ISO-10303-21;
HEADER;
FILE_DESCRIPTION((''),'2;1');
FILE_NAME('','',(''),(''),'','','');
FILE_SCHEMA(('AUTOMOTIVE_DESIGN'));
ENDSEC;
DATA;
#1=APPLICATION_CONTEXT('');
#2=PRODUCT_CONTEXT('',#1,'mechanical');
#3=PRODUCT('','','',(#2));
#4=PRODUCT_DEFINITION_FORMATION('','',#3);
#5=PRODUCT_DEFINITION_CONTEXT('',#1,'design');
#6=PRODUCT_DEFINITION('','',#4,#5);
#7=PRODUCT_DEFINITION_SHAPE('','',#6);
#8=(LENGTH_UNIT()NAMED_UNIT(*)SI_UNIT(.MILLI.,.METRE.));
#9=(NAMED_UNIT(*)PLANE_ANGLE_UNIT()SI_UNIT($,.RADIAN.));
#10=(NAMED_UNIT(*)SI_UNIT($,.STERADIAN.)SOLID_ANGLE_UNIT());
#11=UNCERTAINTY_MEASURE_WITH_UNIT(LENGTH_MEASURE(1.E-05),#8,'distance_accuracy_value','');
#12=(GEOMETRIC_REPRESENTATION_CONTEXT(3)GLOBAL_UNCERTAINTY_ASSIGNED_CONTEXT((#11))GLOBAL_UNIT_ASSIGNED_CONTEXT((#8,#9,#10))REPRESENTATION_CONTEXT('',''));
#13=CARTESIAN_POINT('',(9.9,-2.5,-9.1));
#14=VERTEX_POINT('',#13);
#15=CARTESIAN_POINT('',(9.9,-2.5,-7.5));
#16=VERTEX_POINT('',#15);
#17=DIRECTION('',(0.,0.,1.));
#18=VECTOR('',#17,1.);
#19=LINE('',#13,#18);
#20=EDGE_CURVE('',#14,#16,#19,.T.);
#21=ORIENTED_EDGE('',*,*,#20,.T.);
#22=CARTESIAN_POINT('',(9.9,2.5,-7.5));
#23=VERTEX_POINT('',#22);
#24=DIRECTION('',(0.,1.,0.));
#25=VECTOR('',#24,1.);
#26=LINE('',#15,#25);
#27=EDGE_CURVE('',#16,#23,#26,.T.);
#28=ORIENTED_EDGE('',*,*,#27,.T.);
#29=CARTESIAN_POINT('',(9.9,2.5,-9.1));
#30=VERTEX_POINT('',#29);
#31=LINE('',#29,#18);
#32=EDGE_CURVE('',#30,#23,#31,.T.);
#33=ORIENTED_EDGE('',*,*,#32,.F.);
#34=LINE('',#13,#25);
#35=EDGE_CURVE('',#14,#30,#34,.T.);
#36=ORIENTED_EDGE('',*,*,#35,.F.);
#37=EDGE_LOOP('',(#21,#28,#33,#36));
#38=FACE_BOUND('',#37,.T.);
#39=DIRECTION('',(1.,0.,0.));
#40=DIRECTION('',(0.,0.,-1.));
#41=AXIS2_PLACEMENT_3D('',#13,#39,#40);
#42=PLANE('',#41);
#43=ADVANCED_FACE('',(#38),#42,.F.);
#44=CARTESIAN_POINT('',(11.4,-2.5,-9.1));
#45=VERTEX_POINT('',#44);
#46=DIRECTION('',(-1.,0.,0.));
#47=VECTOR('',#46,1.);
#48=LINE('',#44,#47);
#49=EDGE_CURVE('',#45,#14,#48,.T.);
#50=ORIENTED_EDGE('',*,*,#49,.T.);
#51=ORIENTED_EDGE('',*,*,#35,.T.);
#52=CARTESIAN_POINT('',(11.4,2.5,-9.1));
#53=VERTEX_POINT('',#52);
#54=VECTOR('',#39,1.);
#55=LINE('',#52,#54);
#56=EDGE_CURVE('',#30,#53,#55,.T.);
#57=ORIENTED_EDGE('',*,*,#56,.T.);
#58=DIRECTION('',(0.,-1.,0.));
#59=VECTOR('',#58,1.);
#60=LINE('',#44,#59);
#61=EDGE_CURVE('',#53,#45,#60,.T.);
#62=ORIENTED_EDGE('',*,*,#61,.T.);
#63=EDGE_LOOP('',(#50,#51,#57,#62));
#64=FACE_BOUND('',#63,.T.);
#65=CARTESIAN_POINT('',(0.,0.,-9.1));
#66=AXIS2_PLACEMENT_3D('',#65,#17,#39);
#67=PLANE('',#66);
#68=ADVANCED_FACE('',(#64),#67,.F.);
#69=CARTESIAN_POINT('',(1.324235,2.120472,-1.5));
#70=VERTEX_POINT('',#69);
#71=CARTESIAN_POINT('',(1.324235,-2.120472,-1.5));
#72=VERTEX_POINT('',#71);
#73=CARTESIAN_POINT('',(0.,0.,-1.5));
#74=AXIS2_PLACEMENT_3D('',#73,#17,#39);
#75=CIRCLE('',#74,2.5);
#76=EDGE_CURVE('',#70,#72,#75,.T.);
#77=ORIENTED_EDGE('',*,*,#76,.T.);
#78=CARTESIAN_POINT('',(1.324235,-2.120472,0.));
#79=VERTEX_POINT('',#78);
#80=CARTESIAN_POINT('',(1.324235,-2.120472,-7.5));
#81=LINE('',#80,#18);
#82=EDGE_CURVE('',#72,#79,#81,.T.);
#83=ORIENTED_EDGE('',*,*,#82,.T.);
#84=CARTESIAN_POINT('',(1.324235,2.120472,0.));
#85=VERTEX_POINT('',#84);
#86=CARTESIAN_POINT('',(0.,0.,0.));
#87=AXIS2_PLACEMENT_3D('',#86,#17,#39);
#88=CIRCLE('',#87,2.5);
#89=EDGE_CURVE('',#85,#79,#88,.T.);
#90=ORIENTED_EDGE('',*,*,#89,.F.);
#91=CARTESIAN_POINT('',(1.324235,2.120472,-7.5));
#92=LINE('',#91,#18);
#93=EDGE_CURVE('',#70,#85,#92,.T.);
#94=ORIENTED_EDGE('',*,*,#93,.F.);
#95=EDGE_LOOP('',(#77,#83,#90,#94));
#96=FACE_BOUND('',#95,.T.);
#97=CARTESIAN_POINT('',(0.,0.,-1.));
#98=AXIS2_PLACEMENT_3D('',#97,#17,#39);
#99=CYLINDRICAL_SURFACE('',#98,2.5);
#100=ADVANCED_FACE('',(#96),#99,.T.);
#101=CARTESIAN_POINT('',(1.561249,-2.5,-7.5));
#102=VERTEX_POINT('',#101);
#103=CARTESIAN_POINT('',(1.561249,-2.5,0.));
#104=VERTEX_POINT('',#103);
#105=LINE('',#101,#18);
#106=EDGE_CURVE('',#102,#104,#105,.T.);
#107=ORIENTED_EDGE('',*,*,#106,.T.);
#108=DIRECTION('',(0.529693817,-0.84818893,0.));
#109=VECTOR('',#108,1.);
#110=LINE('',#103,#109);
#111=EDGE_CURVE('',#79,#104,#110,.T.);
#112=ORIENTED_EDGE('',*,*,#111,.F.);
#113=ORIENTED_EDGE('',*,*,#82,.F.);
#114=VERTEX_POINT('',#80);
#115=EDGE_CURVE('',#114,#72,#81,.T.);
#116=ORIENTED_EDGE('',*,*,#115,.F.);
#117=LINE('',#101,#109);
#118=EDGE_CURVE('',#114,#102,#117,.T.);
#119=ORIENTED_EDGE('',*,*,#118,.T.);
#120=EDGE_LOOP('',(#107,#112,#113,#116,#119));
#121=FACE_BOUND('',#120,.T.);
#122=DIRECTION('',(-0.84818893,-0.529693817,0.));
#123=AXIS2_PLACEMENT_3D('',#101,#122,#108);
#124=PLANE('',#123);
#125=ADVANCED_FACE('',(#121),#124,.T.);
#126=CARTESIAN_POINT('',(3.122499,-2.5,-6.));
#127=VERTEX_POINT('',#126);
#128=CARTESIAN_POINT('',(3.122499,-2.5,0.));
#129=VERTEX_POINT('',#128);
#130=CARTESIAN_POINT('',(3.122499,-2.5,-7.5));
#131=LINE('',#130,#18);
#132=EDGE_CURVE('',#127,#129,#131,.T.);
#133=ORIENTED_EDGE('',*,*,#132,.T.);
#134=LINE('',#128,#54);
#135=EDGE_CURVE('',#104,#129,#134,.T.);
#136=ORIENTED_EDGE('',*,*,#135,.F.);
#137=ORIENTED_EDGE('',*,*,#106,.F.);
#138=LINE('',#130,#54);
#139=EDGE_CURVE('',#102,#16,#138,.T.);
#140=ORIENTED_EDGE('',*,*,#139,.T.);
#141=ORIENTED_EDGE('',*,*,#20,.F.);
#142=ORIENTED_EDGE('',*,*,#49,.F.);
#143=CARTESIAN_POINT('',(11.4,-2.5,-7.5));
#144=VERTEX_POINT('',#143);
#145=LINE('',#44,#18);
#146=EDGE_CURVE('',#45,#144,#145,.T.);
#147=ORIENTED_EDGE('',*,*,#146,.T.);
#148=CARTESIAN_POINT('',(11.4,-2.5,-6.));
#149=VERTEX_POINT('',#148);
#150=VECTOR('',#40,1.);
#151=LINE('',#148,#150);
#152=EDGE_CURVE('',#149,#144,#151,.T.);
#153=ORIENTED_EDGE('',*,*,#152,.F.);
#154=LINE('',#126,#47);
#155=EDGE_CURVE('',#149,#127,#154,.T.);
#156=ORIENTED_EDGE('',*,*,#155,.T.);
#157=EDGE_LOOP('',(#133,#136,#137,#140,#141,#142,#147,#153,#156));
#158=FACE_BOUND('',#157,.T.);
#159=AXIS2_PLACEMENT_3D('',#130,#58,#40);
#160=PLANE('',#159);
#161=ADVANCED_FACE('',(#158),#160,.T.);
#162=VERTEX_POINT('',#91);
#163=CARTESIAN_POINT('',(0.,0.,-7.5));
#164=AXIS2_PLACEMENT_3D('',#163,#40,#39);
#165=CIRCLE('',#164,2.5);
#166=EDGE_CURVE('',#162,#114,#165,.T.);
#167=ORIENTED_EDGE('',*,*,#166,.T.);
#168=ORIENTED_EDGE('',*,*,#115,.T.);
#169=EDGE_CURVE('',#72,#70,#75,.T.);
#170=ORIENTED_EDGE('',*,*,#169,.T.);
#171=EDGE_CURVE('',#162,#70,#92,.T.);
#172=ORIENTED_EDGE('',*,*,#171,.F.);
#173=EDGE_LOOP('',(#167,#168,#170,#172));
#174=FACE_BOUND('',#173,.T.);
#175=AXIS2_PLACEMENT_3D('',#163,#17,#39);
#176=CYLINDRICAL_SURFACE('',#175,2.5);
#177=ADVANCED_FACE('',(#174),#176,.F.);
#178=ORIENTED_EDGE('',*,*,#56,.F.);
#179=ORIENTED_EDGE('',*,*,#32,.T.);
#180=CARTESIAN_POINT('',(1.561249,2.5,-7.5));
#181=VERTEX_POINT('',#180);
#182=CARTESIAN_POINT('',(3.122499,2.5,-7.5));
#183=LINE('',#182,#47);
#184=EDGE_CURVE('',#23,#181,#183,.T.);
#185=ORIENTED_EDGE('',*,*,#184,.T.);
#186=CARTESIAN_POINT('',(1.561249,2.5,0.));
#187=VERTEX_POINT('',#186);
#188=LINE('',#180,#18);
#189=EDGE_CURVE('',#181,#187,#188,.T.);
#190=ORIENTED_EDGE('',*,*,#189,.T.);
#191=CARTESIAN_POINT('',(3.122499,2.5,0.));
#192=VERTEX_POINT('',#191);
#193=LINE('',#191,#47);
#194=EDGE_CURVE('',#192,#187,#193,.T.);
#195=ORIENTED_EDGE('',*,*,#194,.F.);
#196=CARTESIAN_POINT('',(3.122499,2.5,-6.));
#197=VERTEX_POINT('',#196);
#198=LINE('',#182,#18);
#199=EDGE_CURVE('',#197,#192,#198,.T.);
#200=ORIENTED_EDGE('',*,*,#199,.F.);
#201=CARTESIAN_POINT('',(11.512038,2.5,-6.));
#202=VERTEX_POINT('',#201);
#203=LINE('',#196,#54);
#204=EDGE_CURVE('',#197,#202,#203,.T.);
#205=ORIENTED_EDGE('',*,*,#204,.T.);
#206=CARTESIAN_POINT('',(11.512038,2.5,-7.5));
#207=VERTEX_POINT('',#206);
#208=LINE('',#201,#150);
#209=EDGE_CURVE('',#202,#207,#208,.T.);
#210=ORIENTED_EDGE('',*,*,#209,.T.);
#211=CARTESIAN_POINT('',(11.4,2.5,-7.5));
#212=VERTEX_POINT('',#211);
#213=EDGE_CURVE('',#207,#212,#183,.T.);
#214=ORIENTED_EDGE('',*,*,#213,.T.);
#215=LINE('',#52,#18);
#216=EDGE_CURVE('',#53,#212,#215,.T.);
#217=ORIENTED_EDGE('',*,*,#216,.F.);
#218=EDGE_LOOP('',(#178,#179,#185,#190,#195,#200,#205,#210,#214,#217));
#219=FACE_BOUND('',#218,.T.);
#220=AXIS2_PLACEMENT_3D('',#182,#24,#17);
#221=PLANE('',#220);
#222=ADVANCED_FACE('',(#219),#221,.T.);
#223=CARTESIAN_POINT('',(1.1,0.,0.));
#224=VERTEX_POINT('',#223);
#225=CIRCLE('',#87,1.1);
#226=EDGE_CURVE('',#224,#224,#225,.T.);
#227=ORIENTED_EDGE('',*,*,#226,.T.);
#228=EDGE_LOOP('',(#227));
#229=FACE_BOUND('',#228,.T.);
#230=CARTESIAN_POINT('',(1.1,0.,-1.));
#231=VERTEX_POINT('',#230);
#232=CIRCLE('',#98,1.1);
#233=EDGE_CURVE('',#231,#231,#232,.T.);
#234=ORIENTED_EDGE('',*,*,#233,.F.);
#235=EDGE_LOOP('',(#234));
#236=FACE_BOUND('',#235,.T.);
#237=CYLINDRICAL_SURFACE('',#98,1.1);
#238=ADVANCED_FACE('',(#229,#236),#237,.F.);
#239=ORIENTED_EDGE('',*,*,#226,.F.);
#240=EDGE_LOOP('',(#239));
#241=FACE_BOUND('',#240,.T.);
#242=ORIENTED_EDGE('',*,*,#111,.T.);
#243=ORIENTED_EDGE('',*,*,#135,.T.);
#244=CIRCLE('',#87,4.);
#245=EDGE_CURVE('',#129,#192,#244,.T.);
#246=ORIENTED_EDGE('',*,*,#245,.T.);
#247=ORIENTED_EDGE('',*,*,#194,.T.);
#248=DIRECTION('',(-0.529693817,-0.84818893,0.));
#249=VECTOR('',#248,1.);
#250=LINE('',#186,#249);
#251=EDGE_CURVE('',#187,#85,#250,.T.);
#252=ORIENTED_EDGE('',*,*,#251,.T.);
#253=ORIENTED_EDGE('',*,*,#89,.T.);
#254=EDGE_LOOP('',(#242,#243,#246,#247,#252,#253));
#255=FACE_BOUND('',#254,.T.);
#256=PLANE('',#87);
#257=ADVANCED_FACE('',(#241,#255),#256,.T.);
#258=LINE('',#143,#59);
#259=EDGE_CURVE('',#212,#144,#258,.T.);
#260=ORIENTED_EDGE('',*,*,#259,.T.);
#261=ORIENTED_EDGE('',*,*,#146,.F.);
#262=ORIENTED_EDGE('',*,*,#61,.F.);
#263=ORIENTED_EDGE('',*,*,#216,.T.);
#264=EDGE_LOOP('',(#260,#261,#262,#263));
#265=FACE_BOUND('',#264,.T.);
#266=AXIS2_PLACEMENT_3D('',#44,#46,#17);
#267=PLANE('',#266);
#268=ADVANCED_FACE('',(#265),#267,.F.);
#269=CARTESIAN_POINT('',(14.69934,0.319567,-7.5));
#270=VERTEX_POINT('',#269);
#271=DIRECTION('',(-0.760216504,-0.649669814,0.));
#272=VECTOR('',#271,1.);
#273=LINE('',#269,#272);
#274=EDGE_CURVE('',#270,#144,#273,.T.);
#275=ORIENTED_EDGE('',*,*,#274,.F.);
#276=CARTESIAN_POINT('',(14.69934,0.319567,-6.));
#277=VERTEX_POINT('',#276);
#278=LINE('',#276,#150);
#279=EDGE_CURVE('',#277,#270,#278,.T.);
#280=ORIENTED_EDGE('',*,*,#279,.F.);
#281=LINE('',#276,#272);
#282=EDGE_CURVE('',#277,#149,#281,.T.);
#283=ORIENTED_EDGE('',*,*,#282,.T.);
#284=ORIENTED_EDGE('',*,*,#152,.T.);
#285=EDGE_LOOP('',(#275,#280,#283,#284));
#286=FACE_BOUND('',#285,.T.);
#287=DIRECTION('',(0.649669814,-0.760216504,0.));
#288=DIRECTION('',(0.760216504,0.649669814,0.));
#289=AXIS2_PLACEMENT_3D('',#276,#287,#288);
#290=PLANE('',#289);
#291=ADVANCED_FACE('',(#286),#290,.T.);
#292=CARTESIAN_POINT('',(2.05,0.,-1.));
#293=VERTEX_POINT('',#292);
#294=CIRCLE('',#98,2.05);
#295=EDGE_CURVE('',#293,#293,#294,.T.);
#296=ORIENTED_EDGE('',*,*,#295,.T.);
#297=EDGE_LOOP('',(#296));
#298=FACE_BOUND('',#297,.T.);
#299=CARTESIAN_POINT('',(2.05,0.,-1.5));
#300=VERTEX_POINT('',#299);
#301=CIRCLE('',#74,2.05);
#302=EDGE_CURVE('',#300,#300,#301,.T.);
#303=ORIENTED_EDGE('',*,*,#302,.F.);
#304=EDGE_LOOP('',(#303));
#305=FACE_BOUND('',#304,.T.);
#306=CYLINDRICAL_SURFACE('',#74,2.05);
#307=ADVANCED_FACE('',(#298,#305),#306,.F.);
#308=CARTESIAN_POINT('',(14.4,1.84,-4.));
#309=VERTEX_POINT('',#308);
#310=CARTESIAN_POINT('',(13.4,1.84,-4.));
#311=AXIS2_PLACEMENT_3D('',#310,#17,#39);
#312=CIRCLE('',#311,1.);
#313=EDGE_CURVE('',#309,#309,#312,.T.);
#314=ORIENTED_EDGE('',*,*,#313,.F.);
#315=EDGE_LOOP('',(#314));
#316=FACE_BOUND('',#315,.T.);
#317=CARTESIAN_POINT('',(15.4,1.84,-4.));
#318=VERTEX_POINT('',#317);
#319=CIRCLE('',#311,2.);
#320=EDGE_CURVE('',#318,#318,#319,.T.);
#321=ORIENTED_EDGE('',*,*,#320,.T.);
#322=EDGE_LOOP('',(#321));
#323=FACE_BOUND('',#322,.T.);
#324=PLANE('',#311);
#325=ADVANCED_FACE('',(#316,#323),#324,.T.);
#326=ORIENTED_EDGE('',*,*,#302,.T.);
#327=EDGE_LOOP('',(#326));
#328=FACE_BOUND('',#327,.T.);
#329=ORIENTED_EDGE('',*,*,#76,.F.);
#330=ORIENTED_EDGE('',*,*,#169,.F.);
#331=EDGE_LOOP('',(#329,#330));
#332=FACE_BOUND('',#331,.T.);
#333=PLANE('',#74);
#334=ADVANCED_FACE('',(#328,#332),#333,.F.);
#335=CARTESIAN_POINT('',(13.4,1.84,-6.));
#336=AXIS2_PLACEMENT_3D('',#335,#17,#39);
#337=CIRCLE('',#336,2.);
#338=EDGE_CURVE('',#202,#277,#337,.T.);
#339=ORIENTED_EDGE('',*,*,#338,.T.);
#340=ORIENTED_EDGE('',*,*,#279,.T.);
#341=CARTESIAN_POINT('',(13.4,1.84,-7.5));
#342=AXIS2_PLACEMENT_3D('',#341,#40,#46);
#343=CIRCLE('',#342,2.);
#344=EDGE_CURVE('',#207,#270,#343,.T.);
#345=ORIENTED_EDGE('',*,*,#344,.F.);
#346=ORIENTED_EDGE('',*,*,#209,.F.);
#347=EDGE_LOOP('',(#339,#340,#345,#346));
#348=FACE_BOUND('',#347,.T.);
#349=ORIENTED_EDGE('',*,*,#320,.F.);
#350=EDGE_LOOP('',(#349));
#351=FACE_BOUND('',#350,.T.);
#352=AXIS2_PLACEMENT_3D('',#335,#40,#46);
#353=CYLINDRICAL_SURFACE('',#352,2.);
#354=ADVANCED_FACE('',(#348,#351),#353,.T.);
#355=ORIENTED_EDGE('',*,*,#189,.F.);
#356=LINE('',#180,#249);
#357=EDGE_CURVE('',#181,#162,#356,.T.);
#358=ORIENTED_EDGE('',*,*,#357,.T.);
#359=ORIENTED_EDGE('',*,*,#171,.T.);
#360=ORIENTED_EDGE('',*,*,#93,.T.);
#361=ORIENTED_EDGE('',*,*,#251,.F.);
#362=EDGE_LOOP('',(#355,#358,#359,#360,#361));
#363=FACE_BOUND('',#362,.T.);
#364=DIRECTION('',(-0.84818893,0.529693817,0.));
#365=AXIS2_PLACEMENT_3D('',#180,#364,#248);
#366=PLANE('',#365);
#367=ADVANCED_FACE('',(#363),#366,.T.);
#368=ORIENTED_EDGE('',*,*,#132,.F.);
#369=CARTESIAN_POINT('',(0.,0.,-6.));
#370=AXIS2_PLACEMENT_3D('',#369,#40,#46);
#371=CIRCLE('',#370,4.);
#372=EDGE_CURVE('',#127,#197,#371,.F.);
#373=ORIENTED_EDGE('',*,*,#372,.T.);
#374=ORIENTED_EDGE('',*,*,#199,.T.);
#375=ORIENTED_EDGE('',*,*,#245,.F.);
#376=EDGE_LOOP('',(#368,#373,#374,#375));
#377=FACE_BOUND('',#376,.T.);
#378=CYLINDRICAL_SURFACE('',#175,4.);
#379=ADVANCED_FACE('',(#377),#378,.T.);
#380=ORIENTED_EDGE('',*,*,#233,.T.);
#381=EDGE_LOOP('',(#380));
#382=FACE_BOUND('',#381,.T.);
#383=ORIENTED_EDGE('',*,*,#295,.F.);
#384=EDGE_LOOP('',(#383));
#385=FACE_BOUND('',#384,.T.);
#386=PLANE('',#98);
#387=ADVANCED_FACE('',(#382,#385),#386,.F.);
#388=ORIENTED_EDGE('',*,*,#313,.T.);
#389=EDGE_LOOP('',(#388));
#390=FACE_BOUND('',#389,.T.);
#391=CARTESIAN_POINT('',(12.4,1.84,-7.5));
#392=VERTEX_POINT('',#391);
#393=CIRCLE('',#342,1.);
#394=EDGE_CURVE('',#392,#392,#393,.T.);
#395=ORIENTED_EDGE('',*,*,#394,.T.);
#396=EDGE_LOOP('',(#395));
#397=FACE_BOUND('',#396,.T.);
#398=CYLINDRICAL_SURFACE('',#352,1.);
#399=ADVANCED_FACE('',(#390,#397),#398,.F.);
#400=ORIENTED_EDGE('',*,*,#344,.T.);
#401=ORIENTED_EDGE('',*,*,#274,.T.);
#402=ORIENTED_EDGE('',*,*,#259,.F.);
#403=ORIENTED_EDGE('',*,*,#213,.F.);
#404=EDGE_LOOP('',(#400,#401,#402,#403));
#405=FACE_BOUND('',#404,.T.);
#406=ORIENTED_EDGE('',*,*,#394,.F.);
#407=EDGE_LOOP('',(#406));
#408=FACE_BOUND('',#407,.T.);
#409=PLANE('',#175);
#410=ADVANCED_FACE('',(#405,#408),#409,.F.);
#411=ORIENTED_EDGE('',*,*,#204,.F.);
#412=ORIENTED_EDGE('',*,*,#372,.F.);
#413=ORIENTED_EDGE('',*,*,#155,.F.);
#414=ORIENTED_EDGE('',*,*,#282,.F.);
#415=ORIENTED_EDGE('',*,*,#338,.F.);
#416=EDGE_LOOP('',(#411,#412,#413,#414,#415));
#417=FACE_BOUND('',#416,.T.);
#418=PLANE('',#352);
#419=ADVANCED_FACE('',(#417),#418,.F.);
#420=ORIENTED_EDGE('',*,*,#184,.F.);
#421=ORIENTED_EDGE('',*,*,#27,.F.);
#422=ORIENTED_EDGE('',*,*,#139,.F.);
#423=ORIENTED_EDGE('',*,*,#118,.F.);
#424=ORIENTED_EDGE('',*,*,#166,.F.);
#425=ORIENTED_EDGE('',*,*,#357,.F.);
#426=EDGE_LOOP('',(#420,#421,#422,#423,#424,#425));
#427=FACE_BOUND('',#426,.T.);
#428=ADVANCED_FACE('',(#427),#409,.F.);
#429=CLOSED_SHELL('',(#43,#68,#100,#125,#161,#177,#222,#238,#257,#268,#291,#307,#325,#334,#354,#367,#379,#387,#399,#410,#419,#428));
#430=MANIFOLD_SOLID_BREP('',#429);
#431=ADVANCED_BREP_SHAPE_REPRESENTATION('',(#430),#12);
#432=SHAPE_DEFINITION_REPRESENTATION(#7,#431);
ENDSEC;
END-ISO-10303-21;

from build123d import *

# Parameters (mm, degrees)
SKETCH1_R           = 2.5
SKETCH1_R_2         = 1.1
BOSS_EXTRUDE1_DEPTH = 1
SKETCH2_R           = 2.5
SKETCH2_R_2         = 2.05
BOSS_EXTRUDE2_DEPTH = 0.5
BOSS_EXTRUDE4_DEPTH = 7.5
SKETCH5_R           = 1
BOSS_EXTRUDE5_DEPTH = 1.5
SKETCH6_W           = 1.5
SKETCH6_H           = 5
BOSS_EXTRUDE6_DEPTH = 1.6
SKETCH7_R           = 2
SKETCH7_R_2         = 1
BOSS_EXTRUDE7_DEPTH = 2


with BuildPart() as part:
    # Sketch1 → Boss-Extrude1 (new body)
    with BuildSketch(Plane.XY):
        Circle(SKETCH1_R)
        Circle(SKETCH1_R_2, mode=Mode.SUBTRACT)
    extrude(amount=-BOSS_EXTRUDE1_DEPTH)

    # Sketch2 → Boss-Extrude2 (add)
    with BuildSketch(Plane.XY.offset(-1)):
        Circle(SKETCH2_R)
        Circle(SKETCH2_R_2, mode=Mode.SUBTRACT)
    extrude(amount=-BOSS_EXTRUDE2_DEPTH)

    # Sketch3 → Boss-Extrude4 (add)
    with BuildSketch(Plane.XY):
        with BuildLine():
            Line((3.122498999, -2.5), (1.5612495, -2.5))
            Line((1.5612495, -2.5), (1.324234542, -2.120472324))
            ThreePointArc((1.324234542, -2.120472324), (2.5, 0), (1.324234542, 2.120472324))
            Line((1.324234542, 2.120472324), (1.5612495, 2.5))
            Line((1.5612495, 2.5), (3.122498999, 2.5))
            ThreePointArc((3.122498999, 2.5), (4, 0), (3.122498999, -2.5))
        make_face()
    extrude(amount=-BOSS_EXTRUDE4_DEPTH)

    # Sketch5 → Boss-Extrude5 (add)
    with BuildSketch(Plane(origin=(0, 0, -7.5), x_dir=(-1, 0, 0), z_dir=(0, 0, -1))):
        with BuildLine():
            Line((-3.122498999, -2.5), (-11.4, -2.5))
            Line((-11.4, -2.5), (-14.699339628, 0.319566992))
            ThreePointArc((-14.699339628, 0.319566992), (-14.529243579, 3.49069953), (-11.512038136, 2.5))
            Line((-11.512038136, 2.5), (-3.122498999, 2.5))
            Line((-3.122498999, 2.5), (-3.122498999, -2.5))
        make_face()
        with Locations((-13.4, 1.84)):
            Circle(SKETCH5_R, mode=Mode.SUBTRACT)
    extrude(amount=-BOSS_EXTRUDE5_DEPTH)

    # Sketch6 → Boss-Extrude6 (add)
    with BuildSketch(Plane(origin=(0, 0, -7.5), x_dir=(-1, 0, 0), z_dir=(0, 0, -1))):
        with Locations((-10.65, 0)):
            Rectangle(SKETCH6_W, SKETCH6_H)
    extrude(amount=BOSS_EXTRUDE6_DEPTH)

    # Sketch7 → Boss-Extrude7 (add)
    with BuildSketch(Plane.XY.offset(-6)):
        with Locations(Location((13.4, 1.84, 0), (0, 0, 160.731224509))):
            Circle(SKETCH7_R)
        with Locations(Location((13.4, 1.84, 0), (0, 0, 180))):
            Circle(SKETCH7_R_2, mode=Mode.SUBTRACT)
    extrude(amount=BOSS_EXTRUDE7_DEPTH)


solid = part.part
